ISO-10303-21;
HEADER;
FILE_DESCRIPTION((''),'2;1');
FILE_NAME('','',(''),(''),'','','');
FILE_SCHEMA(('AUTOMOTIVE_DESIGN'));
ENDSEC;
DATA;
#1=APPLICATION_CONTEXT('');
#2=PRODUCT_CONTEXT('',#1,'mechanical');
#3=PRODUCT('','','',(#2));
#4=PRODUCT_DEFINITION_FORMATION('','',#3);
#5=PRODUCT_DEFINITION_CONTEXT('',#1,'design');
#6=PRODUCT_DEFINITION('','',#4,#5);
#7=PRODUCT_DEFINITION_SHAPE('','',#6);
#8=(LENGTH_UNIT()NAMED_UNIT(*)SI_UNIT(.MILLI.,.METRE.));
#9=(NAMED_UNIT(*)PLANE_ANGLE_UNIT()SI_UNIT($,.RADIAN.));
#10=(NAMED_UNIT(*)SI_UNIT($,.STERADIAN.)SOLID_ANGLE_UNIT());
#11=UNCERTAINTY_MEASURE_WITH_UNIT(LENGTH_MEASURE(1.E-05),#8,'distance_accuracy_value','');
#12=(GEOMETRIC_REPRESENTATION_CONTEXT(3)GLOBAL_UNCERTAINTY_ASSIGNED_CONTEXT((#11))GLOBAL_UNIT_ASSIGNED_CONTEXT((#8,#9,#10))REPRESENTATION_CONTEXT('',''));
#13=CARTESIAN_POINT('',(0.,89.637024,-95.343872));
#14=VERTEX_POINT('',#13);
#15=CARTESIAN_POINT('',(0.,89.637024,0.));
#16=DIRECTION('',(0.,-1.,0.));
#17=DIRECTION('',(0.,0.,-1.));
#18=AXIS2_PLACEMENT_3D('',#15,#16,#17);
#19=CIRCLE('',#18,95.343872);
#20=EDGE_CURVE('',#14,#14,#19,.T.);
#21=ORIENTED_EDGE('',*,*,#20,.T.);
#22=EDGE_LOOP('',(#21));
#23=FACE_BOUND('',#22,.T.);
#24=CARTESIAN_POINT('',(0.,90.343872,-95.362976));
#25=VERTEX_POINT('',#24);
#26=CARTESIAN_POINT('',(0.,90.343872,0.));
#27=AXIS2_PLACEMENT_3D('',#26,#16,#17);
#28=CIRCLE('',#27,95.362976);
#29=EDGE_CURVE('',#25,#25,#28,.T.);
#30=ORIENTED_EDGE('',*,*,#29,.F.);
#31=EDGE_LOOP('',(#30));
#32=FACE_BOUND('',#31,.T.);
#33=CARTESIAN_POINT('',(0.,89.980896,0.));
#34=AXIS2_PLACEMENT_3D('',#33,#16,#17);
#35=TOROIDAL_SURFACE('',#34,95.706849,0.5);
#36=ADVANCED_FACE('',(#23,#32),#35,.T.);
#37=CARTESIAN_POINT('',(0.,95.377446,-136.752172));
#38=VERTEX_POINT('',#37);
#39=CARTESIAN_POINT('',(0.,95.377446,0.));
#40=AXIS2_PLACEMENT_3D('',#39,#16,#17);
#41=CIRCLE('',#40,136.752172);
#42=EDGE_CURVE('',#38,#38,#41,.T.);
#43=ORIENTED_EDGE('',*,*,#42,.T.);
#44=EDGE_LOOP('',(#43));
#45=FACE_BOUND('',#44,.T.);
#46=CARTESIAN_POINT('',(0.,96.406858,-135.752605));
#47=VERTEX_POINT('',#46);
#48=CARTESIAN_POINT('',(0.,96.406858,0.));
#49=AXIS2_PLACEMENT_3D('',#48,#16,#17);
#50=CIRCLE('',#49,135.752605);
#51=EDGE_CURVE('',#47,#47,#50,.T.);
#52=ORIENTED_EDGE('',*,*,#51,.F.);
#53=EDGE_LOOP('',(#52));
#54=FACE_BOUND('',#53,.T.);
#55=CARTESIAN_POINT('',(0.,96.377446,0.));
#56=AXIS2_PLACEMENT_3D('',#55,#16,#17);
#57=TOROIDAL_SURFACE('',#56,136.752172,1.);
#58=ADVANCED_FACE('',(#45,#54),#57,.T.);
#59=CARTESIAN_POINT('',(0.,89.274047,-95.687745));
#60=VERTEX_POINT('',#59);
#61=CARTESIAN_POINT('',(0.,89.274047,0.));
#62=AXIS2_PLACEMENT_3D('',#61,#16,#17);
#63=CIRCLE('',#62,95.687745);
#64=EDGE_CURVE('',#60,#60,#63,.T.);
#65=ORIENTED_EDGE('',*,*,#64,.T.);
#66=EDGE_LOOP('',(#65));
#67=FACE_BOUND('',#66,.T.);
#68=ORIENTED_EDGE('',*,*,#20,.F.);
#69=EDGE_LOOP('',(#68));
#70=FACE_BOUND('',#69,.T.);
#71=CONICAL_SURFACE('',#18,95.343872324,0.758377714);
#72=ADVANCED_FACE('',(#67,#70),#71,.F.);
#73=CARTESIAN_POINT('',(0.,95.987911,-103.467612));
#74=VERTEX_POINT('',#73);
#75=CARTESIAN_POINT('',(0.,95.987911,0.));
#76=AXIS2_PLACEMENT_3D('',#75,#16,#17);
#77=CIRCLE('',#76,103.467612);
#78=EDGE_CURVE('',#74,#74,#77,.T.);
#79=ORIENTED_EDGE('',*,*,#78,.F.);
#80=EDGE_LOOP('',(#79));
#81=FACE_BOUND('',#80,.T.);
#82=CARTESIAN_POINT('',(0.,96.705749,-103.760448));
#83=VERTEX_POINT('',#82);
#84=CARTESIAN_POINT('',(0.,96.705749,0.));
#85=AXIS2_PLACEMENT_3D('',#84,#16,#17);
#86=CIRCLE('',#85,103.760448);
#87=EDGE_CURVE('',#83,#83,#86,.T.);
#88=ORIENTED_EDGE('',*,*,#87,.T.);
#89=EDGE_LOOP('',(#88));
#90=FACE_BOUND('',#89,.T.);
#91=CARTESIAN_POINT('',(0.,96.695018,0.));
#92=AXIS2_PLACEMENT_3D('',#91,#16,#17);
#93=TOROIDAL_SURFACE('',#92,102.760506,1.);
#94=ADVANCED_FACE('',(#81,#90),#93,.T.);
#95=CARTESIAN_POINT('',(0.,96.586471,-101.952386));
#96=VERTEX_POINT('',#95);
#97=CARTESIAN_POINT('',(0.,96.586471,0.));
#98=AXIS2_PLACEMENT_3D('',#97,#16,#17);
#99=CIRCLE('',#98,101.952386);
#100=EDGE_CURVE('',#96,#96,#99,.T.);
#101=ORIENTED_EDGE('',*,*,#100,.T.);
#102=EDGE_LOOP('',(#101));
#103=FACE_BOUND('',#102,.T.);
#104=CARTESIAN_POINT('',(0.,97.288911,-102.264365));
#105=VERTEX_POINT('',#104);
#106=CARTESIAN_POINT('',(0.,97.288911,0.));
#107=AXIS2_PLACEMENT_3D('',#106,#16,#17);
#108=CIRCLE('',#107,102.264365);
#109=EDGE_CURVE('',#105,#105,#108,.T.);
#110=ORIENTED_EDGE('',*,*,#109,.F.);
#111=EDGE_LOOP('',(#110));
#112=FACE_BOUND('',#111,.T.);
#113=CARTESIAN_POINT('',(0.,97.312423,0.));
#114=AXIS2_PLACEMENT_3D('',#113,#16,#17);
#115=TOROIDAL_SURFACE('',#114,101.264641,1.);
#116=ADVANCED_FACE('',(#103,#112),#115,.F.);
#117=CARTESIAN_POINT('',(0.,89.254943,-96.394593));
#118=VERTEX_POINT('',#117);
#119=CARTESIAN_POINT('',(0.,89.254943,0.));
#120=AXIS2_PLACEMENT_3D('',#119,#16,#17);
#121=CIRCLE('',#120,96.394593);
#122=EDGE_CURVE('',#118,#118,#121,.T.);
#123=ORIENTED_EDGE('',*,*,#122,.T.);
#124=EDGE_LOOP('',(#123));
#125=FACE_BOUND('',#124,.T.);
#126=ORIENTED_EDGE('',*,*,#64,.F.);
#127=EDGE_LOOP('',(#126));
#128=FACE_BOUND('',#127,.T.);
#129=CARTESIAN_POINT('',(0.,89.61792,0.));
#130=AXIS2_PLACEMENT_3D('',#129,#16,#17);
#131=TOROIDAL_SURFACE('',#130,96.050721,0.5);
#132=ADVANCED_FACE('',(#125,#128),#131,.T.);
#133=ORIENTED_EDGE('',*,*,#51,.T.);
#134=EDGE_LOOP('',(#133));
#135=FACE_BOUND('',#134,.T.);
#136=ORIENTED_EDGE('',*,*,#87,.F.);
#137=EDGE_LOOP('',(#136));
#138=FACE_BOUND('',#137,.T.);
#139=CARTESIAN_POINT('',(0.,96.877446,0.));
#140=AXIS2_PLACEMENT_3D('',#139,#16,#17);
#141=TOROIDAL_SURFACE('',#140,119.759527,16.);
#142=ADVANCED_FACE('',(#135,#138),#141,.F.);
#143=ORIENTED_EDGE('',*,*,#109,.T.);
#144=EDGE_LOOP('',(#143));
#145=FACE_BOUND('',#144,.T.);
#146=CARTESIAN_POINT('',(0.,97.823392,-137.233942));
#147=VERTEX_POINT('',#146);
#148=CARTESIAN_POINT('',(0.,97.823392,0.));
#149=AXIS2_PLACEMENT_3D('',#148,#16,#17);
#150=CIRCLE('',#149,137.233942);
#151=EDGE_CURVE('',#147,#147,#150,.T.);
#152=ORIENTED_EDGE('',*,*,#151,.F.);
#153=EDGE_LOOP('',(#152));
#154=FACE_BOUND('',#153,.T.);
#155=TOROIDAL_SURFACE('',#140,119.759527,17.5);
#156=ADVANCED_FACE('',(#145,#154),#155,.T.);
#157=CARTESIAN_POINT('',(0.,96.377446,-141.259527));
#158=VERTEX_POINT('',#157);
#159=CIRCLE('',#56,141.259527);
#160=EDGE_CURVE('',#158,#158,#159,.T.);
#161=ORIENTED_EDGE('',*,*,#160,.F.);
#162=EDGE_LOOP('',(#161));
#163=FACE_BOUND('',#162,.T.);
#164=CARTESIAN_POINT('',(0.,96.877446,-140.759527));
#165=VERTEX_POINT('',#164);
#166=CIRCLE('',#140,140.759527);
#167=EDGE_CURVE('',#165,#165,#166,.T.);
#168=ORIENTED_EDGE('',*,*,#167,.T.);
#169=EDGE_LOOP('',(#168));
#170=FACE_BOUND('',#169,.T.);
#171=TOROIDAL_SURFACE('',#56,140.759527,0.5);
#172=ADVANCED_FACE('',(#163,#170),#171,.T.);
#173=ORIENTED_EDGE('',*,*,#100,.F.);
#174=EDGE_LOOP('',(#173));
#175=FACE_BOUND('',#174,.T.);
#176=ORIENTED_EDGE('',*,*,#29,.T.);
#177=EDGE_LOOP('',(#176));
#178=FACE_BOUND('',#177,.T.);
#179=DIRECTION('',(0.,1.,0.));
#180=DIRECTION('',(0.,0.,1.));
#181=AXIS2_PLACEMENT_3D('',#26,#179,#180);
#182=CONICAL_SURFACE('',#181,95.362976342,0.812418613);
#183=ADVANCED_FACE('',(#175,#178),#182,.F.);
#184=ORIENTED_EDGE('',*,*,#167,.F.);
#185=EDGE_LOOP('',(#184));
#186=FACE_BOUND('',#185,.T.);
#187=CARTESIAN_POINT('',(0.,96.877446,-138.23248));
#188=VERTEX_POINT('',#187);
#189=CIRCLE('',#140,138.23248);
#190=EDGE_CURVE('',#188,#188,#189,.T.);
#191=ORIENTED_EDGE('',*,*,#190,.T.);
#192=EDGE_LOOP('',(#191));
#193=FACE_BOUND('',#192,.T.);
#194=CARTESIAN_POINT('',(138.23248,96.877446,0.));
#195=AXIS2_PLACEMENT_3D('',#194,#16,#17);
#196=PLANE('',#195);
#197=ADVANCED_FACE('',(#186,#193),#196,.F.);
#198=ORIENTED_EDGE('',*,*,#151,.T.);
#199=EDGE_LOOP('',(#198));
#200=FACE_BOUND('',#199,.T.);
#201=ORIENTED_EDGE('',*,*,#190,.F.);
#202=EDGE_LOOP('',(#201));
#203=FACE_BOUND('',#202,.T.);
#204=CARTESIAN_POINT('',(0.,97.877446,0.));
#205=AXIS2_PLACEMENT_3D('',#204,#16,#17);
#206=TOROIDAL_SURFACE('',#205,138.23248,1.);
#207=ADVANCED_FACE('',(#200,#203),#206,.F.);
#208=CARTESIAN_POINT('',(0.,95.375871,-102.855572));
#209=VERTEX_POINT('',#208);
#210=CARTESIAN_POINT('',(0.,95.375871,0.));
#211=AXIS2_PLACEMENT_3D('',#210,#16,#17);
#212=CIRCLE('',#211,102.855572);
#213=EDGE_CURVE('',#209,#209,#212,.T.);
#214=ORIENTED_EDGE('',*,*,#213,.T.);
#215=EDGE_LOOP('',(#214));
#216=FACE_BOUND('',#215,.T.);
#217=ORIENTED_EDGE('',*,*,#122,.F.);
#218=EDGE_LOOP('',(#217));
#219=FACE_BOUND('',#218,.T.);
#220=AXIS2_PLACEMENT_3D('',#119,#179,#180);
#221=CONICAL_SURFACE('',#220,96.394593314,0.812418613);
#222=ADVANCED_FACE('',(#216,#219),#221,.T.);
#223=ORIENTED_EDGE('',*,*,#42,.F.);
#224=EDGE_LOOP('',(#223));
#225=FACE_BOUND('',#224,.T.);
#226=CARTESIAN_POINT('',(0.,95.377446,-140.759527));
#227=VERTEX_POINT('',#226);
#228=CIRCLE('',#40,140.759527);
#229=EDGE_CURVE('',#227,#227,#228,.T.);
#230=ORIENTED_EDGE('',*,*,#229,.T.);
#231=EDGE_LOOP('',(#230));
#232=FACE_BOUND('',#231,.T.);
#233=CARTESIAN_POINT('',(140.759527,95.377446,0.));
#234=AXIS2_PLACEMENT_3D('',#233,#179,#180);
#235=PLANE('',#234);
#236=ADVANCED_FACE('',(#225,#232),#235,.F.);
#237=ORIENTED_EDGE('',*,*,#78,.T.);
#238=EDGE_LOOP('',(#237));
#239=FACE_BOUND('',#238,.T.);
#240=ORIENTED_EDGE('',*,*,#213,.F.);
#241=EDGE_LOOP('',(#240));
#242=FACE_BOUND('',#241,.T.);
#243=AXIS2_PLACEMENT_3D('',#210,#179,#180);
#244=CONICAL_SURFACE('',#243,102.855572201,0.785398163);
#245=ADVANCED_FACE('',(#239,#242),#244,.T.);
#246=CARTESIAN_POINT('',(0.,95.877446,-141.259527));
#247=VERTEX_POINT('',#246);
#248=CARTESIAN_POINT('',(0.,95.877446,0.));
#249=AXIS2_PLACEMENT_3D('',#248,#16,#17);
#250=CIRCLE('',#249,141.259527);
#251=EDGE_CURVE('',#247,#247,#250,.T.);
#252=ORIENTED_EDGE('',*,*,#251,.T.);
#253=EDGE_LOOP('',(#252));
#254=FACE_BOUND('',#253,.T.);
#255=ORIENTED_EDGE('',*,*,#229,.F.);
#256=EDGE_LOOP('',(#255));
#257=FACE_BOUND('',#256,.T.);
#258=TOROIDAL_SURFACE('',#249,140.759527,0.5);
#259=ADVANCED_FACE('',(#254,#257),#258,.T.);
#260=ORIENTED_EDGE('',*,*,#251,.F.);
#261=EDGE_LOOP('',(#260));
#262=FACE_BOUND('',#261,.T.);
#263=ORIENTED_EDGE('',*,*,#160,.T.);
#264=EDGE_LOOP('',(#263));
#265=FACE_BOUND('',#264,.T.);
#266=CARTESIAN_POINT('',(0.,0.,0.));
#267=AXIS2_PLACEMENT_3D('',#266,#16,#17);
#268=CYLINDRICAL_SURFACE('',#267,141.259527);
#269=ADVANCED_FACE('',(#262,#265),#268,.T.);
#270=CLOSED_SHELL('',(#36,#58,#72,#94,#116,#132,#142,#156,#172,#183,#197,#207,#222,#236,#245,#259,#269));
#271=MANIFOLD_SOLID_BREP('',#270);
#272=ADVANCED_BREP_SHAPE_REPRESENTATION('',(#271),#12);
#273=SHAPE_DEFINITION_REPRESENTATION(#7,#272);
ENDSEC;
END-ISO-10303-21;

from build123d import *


with BuildPart() as part:
    # Sketch 250 → Повернуть3 (revolve)
    with BuildSketch(Plane.XY, mode=Mode.PRIVATE) as revolve_3_sk:
        with BuildLine():
            Line((95.343872324, 89.637023658), (95.687744648, 89.274047316))
            ThreePointArc((95.687744648, 89.274047316), (96.037212409, 89.118102155), (96.394593314, 89.254943298))
            Line((96.394593314, 89.254943298), (102.855572201, 95.375870665))
            Line((102.855572201, 95.375870665), (103.467612479, 95.987910943))
            ThreePointArc((103.467612479, 95.987910943), (103.686425269, 96.317296996), (103.760448118, 96.705748828))
            ThreePointArc((103.760448118, 96.705748828), (119.909002246, 112.876748248), (135.752604927, 96.406858244))
            ThreePointArc((135.752604927, 96.406858244), (136.034742253, 95.680815933), (136.752172307, 95.377446479))
            Line((136.752172307, 95.377446479), (140.759526839, 95.377446479))
            ThreePointArc((140.759526839, 95.377446479), (141.11308023, 95.523893089), (141.259526839, 95.877446479))
            Line((141.259526839, 95.877446479), (141.259526839, 96.377446479))
            ThreePointArc((141.259526839, 96.377446479), (141.11308023, 96.73099987), (140.759526839, 96.877446479))
            Line((140.759526839, 96.877446479), (138.232480041, 96.877446479))
            ThreePointArc((138.232480041, 96.877446479), (137.544749736, 97.151480208), (137.23394203, 97.823392425))
            ThreePointArc((137.23394203, 97.823392425), (119.492084975, 114.375402784), (102.264364743, 97.288911212))
            ThreePointArc((102.264364743, 97.288911212), (102.178557417, 96.906520614), (101.952385842, 96.586470798))
            Line((101.952385842, 96.586470798), (95.362976342, 90.343872324))
            ThreePointArc((95.362976342, 90.343872324), (95.207031181, 89.994404563), (95.343872324, 89.637023658))
        make_face()
    revolve(revolve_3_sk.sketch.rotate(Axis((0, 0, 0), (0, 1, 0)), 90), axis=Axis((0, 0, 0), (0, 1, 0)))


solid = part.part
